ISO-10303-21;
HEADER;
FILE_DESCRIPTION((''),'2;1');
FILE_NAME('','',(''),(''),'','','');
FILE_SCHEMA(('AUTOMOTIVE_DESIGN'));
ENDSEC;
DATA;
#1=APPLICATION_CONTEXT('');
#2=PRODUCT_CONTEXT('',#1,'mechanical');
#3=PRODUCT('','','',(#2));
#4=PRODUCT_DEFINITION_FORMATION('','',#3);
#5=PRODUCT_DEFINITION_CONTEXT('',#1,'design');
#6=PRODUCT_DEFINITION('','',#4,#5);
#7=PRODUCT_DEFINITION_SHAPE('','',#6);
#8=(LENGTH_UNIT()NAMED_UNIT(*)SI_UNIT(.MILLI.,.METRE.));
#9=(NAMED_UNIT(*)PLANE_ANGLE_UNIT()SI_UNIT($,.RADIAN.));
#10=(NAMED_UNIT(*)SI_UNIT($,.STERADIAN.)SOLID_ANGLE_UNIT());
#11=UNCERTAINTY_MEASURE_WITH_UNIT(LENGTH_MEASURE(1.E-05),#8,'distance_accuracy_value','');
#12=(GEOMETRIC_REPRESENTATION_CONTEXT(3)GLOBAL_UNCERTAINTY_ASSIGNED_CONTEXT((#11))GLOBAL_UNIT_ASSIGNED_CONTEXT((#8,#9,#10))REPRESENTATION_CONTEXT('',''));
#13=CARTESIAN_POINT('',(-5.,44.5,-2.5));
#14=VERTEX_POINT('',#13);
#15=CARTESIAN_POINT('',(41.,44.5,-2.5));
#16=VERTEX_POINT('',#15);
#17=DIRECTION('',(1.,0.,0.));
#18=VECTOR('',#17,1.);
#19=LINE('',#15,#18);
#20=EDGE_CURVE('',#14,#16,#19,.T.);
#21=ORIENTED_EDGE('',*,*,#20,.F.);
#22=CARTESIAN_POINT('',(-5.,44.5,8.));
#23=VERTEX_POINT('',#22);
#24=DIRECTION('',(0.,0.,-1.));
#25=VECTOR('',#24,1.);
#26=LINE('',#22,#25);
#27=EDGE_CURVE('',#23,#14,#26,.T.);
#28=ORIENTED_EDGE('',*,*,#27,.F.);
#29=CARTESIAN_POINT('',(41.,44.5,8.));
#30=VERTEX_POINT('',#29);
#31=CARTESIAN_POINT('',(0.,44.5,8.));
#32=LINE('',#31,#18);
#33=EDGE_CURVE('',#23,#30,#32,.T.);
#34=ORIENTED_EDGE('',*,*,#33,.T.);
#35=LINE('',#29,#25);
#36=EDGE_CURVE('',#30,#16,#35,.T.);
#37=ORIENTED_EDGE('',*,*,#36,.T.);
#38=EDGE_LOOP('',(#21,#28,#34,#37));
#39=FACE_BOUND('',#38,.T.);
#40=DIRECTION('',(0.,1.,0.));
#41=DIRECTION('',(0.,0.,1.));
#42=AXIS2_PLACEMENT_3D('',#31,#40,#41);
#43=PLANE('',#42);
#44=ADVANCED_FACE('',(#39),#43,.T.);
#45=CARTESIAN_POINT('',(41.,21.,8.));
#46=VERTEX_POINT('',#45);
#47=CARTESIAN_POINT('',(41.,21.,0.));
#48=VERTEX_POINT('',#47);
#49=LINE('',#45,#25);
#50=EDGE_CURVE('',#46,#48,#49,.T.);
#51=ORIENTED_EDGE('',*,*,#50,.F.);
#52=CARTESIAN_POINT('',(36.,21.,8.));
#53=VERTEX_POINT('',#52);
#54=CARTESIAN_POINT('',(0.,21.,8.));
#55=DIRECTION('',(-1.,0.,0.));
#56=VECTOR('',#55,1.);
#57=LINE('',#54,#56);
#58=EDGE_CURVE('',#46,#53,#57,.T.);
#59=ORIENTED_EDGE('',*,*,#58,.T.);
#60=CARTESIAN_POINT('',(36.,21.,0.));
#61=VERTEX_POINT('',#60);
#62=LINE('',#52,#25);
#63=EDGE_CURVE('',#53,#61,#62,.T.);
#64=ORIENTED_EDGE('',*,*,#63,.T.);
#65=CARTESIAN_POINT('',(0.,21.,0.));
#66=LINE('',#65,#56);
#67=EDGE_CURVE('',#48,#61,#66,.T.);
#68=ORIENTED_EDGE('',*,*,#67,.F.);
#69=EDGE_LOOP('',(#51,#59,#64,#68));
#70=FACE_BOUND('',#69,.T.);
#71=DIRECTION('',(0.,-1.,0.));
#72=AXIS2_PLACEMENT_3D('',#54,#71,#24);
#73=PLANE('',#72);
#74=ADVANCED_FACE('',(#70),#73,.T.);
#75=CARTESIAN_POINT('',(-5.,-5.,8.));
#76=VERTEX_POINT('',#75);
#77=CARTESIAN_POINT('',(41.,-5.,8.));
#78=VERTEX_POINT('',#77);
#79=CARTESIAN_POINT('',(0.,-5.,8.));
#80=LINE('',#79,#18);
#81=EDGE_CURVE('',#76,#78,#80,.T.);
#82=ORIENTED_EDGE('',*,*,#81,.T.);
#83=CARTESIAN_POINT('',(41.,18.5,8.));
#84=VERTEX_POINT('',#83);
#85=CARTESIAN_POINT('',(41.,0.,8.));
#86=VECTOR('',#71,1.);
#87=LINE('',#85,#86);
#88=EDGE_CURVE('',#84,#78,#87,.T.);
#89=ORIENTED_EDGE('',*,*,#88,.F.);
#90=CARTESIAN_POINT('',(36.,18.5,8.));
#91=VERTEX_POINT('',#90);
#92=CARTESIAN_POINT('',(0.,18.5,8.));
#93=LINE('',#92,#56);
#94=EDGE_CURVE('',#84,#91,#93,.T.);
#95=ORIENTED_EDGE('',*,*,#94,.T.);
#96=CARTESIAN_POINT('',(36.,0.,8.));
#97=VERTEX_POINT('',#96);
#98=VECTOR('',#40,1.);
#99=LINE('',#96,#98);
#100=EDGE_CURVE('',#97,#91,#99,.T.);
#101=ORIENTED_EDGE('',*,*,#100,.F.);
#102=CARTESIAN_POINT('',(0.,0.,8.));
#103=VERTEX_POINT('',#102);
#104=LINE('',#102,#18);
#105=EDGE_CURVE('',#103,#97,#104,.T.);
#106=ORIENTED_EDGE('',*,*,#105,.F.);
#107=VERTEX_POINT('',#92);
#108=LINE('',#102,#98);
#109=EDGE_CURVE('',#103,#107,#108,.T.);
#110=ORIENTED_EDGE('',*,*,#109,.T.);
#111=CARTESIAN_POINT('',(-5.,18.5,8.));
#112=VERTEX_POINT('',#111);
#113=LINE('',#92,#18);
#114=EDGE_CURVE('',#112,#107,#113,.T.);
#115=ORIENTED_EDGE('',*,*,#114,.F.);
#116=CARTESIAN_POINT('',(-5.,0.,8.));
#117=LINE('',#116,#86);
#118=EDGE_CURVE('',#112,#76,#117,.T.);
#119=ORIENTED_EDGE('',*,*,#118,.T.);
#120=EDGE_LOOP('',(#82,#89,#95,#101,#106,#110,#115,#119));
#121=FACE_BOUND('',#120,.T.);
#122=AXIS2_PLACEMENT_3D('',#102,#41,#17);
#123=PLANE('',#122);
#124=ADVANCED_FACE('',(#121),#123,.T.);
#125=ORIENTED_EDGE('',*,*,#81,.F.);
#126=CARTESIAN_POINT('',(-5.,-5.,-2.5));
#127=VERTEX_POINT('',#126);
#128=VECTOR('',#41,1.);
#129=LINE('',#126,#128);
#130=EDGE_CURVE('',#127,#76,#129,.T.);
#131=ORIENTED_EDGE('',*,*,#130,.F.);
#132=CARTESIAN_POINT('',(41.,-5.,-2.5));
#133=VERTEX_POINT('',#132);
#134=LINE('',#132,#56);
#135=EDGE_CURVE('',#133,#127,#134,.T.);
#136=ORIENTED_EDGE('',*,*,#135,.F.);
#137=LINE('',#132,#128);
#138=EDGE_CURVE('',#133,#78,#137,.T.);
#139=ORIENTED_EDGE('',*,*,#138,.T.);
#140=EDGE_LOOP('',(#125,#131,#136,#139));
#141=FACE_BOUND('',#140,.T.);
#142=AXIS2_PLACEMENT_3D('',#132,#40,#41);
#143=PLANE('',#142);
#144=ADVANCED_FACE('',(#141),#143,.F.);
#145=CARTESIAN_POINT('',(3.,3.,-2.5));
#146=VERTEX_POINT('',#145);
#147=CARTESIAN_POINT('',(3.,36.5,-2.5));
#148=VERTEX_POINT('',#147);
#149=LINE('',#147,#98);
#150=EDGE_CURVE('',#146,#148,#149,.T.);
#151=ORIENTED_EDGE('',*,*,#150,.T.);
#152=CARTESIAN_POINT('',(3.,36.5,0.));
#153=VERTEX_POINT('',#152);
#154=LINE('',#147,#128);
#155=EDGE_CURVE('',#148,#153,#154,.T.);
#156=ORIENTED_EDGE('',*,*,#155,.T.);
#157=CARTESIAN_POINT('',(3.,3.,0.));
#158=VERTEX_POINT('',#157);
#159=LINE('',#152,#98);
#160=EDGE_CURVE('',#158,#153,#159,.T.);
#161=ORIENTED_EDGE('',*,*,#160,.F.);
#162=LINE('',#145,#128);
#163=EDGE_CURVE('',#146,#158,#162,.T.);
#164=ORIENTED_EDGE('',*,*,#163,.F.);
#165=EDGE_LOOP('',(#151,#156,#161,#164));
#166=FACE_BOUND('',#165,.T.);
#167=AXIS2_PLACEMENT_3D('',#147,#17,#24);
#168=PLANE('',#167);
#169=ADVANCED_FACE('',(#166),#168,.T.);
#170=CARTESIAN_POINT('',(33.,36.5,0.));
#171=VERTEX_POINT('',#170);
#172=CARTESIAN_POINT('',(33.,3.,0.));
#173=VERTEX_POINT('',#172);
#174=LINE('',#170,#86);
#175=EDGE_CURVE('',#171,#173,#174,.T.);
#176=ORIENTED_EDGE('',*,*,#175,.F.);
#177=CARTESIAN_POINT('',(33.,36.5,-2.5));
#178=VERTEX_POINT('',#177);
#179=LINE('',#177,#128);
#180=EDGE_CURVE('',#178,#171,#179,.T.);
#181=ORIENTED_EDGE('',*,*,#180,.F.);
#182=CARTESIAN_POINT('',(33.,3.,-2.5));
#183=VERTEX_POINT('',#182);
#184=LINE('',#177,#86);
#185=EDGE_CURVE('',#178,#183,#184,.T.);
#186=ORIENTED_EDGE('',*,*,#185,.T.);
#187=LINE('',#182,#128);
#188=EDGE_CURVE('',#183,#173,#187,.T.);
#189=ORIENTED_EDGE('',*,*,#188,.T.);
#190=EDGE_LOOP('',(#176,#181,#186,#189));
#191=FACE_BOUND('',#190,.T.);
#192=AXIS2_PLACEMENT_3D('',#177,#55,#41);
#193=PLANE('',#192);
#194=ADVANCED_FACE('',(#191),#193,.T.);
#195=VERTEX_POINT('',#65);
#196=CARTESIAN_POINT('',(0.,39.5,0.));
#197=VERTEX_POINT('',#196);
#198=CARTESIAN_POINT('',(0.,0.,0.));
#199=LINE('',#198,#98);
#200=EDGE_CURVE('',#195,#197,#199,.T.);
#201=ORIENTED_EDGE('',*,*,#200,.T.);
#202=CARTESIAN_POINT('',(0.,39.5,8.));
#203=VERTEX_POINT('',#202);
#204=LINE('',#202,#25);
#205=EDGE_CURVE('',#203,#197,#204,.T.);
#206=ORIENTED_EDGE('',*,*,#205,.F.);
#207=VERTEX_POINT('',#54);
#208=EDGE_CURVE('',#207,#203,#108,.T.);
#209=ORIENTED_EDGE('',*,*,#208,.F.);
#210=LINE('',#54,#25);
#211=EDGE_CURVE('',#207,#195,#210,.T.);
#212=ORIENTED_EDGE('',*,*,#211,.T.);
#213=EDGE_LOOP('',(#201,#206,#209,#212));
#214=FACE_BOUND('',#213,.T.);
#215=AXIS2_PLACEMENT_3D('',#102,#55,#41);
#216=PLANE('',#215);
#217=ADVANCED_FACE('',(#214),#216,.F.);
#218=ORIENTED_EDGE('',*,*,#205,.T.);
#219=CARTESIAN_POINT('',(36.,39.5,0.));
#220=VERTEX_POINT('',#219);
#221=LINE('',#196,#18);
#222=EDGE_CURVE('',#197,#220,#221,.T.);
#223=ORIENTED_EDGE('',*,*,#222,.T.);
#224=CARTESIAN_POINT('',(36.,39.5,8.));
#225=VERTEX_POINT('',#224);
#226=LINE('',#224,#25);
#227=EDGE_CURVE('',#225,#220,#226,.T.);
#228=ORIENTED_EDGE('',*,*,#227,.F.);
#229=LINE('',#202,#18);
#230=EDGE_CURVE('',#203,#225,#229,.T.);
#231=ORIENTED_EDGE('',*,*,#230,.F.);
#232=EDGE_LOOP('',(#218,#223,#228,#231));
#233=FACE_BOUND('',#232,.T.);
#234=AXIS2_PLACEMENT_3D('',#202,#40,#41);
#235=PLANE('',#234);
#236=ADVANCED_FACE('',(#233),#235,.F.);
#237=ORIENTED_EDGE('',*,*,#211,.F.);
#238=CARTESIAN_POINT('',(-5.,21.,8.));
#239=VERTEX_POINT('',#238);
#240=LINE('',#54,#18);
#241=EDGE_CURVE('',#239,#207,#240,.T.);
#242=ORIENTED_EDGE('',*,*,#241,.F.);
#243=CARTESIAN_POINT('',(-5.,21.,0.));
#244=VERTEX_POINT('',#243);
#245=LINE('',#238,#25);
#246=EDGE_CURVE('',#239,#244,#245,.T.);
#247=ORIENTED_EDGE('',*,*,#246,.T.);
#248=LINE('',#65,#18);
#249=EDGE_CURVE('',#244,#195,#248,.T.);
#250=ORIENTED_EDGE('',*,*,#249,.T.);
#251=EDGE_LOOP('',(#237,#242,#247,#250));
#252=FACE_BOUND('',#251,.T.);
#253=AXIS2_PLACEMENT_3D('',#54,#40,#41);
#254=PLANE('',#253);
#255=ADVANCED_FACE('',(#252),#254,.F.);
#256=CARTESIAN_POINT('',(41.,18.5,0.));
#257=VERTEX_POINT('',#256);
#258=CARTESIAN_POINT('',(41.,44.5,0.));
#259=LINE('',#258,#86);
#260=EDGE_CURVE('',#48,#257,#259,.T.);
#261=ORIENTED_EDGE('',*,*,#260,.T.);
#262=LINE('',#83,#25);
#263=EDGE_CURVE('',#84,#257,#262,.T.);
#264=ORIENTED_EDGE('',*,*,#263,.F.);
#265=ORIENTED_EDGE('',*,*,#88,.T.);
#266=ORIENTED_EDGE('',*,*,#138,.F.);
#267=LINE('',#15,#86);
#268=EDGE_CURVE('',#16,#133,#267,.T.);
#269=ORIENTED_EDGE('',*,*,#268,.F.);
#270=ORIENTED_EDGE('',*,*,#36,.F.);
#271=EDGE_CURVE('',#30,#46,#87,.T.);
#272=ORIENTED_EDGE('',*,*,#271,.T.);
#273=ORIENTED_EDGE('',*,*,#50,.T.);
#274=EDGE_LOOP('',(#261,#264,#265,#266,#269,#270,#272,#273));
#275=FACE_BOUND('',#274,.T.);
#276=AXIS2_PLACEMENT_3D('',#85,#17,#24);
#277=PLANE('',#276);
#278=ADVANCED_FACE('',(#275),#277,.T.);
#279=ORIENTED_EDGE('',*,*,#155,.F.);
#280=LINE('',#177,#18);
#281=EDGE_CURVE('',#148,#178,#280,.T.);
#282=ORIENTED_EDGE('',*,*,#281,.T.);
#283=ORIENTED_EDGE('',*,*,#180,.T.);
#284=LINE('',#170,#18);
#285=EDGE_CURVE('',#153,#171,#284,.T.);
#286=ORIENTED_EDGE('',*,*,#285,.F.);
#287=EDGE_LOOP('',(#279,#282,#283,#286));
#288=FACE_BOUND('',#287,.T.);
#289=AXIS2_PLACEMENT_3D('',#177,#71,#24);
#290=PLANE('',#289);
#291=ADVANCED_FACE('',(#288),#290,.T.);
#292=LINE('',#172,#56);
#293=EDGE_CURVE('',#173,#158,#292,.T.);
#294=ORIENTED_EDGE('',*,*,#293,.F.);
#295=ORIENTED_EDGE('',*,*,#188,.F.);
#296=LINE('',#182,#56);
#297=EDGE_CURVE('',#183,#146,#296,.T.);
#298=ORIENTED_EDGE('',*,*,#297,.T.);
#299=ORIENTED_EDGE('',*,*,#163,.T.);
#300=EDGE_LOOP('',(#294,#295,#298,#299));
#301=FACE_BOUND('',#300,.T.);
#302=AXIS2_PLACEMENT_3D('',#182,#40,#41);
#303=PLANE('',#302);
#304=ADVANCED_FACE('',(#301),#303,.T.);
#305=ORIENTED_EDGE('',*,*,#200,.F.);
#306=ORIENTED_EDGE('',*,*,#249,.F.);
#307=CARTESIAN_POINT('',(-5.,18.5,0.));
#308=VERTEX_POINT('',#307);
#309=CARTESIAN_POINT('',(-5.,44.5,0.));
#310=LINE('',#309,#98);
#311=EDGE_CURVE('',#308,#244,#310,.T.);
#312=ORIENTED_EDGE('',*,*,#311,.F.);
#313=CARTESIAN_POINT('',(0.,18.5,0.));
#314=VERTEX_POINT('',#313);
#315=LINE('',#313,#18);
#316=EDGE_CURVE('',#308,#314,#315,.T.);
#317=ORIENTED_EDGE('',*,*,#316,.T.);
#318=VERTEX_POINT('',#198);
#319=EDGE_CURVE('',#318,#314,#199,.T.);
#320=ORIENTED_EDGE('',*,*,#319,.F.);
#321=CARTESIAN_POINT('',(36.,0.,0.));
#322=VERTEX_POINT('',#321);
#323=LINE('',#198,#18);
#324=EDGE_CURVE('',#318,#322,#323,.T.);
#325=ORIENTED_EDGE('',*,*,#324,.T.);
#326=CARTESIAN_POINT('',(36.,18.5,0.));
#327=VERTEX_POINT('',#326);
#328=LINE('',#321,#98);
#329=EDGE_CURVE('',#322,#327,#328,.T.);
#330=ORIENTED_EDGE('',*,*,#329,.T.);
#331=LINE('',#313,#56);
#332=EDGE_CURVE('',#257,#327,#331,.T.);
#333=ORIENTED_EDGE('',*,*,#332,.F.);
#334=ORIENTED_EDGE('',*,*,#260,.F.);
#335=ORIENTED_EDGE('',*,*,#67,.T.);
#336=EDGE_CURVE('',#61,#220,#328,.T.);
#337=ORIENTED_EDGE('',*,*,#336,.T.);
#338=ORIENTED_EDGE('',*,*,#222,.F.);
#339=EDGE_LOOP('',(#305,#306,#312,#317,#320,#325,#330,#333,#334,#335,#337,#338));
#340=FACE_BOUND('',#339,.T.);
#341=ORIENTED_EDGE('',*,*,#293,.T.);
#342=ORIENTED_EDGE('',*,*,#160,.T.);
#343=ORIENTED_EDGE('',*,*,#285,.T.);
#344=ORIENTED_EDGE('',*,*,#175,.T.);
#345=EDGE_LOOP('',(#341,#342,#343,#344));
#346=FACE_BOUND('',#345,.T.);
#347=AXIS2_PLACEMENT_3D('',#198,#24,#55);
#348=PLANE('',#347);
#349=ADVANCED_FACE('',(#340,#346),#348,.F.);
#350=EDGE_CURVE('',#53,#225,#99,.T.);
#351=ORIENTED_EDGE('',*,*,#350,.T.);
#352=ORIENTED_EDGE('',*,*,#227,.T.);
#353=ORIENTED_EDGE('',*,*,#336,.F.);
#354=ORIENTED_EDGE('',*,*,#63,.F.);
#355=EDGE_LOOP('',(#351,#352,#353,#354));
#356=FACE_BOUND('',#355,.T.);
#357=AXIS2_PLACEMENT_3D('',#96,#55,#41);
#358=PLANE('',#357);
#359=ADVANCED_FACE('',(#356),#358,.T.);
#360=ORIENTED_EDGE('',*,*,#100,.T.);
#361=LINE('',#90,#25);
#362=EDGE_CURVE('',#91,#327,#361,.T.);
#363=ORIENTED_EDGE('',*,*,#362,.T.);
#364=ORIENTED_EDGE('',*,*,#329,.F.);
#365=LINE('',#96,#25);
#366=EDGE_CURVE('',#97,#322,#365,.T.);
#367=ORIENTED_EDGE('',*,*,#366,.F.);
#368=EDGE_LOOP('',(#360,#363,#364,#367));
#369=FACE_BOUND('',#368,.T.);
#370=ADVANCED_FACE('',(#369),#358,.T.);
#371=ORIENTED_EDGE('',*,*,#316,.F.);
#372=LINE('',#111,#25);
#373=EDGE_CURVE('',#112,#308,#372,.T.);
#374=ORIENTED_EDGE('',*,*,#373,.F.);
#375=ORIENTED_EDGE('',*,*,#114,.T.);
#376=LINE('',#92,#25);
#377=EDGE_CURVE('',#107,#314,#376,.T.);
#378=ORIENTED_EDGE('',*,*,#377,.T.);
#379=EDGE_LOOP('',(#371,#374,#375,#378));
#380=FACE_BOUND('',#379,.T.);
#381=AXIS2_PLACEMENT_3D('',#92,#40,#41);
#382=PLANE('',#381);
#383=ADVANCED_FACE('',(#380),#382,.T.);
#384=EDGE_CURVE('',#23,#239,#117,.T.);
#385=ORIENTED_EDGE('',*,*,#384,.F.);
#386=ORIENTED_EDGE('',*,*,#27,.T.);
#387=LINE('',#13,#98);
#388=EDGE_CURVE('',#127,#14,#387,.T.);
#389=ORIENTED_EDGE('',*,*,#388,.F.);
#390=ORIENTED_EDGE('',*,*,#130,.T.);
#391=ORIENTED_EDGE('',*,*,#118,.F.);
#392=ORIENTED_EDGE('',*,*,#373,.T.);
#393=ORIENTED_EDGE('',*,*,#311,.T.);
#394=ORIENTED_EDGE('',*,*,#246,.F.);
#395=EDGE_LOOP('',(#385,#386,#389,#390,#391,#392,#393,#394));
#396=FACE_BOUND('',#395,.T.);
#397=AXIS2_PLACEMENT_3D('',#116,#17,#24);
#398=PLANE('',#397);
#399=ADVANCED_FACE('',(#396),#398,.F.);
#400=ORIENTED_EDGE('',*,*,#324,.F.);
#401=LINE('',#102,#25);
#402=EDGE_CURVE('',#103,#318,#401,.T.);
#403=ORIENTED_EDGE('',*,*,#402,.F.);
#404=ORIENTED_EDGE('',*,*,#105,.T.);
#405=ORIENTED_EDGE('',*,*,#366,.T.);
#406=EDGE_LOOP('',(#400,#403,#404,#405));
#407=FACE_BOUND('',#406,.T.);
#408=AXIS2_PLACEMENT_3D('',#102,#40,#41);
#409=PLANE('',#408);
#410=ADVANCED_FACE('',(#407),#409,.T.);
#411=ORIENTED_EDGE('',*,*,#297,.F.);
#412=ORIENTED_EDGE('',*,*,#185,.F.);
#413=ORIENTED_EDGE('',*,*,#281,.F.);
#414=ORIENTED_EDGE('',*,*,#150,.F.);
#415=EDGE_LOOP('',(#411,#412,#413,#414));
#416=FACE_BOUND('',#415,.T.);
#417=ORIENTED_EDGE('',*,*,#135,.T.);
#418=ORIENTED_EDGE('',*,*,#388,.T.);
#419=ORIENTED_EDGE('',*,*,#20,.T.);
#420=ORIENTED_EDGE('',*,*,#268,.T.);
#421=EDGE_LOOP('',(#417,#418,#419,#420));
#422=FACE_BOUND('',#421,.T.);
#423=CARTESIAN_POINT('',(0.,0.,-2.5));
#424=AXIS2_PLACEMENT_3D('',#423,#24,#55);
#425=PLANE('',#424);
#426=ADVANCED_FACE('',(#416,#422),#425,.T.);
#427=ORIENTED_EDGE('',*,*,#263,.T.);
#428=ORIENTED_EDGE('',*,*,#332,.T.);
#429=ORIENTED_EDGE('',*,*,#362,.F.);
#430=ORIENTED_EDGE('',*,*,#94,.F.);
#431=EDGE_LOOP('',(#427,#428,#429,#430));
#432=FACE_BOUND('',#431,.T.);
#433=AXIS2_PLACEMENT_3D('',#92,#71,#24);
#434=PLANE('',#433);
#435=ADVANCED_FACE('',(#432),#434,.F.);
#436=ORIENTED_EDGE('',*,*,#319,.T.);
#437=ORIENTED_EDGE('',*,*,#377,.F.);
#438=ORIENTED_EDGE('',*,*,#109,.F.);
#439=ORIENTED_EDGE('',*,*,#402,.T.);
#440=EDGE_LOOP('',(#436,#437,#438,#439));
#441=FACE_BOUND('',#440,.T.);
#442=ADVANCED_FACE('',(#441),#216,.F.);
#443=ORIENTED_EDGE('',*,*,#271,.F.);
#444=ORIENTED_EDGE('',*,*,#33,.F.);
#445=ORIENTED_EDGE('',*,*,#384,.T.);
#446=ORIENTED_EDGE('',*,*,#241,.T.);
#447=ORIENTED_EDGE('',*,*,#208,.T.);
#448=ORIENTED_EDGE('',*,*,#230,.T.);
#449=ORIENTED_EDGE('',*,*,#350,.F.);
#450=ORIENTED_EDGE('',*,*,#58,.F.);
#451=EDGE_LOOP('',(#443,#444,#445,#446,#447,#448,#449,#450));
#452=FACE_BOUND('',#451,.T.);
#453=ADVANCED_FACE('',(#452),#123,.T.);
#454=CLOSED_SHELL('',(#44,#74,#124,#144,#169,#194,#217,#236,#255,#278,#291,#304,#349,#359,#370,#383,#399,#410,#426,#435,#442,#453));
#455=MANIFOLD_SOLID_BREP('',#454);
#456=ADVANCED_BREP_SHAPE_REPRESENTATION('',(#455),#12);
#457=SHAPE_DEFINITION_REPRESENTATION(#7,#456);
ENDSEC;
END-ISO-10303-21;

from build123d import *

# Parameters (mm, degrees)
BOSS_EXTRUDE1_DEPTH   = 8
BOSS_EXTRUDE1_2_DEPTH = 8
SKETCH2_W             = 46
SKETCH2_H             = 49.5
SKETCH2_W_2           = 30
SKETCH2_H_2           = 33.5
BOSS_EXTRUDE2_DEPTH   = 2.5


with BuildPart() as part:
    # Sketch1 → Boss-Extrude1 (new body)
    with BuildSketch(Plane.XY):
        Polygon((-5, 21), (0, 21), (0, 39.5), (36, 39.5), (36, 21), (41, 21), (41, 44.5), (-5, 44.5), align=None)
    extrude(amount=BOSS_EXTRUDE1_DEPTH)



with BuildPart() as body_2:
    # Sketch1 → Boss-Extrude1 2 (new body)
    with BuildSketch(Plane.XY):
        Polygon((36, 0), (0, 0), (0, 18.5), (-5, 18.5), (-5, -5), (41, -5), (41, 18.5), (36, 18.5), align=None)
    extrude(amount=BOSS_EXTRUDE1_2_DEPTH)


with BuildPart() as part_1:
    add(part.part)

    add(body_2.part)  # Boss-Extrude2 merges body 2
    # Sketch2 → Boss-Extrude2 (add)
    with BuildSketch(Plane(origin=(0, 0, 0), x_dir=(-1, 0, 0), z_dir=(0, 0, -1))):
        with Locations((-18, 19.75)):
            Rectangle(SKETCH2_W, SKETCH2_H)
        with Locations((-18, 19.75)):
            Rectangle(SKETCH2_W_2, SKETCH2_H_2, mode=Mode.SUBTRACT)
    extrude(amount=BOSS_EXTRUDE2_DEPTH)


solid = part_1.part
